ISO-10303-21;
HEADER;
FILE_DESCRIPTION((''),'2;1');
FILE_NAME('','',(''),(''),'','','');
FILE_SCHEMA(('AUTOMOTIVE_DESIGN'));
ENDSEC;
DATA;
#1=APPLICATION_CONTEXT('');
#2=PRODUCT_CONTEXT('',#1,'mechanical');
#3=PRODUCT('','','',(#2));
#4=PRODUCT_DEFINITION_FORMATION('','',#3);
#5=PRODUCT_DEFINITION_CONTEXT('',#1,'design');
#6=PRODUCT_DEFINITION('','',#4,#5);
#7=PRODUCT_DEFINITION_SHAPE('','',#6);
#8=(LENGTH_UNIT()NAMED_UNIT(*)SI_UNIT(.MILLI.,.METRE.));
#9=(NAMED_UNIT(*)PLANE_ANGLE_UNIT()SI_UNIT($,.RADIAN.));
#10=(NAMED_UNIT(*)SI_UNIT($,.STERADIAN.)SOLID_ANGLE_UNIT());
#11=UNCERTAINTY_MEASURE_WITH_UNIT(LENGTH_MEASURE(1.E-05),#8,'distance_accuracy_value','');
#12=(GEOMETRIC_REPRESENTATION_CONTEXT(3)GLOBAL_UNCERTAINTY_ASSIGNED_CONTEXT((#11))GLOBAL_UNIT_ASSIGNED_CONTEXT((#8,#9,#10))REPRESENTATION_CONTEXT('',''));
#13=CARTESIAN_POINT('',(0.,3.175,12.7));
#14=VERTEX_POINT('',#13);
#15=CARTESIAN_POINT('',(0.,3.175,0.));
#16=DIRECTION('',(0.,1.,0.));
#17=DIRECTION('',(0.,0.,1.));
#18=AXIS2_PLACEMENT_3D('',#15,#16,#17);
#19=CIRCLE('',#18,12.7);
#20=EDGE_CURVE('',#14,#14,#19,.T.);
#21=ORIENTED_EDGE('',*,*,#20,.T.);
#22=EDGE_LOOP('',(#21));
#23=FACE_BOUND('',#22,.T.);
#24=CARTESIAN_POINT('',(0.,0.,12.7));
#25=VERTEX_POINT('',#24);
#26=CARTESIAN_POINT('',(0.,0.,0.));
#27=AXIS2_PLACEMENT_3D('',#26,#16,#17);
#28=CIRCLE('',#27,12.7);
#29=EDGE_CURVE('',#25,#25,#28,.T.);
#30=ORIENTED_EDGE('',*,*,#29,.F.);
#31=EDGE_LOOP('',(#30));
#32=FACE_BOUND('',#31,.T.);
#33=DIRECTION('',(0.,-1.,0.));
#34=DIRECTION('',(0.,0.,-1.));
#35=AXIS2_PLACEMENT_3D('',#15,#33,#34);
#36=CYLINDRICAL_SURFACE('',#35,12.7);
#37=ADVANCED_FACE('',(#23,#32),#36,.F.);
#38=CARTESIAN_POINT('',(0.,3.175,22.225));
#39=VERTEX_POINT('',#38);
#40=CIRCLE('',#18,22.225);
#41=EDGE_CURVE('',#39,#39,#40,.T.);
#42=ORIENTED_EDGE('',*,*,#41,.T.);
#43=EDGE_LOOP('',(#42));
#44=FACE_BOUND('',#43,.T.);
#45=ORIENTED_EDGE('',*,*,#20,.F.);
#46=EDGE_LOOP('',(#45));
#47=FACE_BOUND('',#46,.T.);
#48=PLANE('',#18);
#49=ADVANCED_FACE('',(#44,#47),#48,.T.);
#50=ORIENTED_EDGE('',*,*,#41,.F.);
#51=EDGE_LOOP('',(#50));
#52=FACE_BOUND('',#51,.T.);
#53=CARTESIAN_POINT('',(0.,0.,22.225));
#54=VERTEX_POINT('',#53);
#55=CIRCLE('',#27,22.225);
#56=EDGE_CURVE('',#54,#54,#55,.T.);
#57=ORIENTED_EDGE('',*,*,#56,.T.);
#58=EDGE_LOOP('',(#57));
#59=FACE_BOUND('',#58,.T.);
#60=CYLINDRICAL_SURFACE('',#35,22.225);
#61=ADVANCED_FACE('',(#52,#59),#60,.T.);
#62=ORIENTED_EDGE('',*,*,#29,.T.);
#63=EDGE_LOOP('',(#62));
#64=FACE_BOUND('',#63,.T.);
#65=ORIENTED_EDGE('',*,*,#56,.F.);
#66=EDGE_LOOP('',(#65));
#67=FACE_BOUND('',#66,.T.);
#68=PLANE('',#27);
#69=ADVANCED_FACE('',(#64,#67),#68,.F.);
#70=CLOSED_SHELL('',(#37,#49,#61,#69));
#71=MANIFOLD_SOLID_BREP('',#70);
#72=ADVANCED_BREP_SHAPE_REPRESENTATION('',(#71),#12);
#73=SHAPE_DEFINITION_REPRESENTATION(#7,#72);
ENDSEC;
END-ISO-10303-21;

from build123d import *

# Parameters (mm, degrees)
SKETCH1_R           = 22.225
SKETCH1_R_2         = 12.7
BOSS_EXTRUDE1_DEPTH = 3.175


with BuildPart() as part:
    # Sketch1 → Boss-Extrude1 (new body)
    with BuildSketch(Plane(origin=(0, 0, 0), x_dir=(1, 0, 0), z_dir=(0, 1, 0))):
        with Locations(Location((0, 0, 0), (0, 0, 270))):  # turned: the seam where the file's is
            Circle(SKETCH1_R)
        with Locations(Location((0, 0, 0), (0, 0, 270))):  # turned: the seam where the file's is
            Circle(SKETCH1_R_2, mode=Mode.SUBTRACT)
    extrude(amount=BOSS_EXTRUDE1_DEPTH)


solid = part.part
